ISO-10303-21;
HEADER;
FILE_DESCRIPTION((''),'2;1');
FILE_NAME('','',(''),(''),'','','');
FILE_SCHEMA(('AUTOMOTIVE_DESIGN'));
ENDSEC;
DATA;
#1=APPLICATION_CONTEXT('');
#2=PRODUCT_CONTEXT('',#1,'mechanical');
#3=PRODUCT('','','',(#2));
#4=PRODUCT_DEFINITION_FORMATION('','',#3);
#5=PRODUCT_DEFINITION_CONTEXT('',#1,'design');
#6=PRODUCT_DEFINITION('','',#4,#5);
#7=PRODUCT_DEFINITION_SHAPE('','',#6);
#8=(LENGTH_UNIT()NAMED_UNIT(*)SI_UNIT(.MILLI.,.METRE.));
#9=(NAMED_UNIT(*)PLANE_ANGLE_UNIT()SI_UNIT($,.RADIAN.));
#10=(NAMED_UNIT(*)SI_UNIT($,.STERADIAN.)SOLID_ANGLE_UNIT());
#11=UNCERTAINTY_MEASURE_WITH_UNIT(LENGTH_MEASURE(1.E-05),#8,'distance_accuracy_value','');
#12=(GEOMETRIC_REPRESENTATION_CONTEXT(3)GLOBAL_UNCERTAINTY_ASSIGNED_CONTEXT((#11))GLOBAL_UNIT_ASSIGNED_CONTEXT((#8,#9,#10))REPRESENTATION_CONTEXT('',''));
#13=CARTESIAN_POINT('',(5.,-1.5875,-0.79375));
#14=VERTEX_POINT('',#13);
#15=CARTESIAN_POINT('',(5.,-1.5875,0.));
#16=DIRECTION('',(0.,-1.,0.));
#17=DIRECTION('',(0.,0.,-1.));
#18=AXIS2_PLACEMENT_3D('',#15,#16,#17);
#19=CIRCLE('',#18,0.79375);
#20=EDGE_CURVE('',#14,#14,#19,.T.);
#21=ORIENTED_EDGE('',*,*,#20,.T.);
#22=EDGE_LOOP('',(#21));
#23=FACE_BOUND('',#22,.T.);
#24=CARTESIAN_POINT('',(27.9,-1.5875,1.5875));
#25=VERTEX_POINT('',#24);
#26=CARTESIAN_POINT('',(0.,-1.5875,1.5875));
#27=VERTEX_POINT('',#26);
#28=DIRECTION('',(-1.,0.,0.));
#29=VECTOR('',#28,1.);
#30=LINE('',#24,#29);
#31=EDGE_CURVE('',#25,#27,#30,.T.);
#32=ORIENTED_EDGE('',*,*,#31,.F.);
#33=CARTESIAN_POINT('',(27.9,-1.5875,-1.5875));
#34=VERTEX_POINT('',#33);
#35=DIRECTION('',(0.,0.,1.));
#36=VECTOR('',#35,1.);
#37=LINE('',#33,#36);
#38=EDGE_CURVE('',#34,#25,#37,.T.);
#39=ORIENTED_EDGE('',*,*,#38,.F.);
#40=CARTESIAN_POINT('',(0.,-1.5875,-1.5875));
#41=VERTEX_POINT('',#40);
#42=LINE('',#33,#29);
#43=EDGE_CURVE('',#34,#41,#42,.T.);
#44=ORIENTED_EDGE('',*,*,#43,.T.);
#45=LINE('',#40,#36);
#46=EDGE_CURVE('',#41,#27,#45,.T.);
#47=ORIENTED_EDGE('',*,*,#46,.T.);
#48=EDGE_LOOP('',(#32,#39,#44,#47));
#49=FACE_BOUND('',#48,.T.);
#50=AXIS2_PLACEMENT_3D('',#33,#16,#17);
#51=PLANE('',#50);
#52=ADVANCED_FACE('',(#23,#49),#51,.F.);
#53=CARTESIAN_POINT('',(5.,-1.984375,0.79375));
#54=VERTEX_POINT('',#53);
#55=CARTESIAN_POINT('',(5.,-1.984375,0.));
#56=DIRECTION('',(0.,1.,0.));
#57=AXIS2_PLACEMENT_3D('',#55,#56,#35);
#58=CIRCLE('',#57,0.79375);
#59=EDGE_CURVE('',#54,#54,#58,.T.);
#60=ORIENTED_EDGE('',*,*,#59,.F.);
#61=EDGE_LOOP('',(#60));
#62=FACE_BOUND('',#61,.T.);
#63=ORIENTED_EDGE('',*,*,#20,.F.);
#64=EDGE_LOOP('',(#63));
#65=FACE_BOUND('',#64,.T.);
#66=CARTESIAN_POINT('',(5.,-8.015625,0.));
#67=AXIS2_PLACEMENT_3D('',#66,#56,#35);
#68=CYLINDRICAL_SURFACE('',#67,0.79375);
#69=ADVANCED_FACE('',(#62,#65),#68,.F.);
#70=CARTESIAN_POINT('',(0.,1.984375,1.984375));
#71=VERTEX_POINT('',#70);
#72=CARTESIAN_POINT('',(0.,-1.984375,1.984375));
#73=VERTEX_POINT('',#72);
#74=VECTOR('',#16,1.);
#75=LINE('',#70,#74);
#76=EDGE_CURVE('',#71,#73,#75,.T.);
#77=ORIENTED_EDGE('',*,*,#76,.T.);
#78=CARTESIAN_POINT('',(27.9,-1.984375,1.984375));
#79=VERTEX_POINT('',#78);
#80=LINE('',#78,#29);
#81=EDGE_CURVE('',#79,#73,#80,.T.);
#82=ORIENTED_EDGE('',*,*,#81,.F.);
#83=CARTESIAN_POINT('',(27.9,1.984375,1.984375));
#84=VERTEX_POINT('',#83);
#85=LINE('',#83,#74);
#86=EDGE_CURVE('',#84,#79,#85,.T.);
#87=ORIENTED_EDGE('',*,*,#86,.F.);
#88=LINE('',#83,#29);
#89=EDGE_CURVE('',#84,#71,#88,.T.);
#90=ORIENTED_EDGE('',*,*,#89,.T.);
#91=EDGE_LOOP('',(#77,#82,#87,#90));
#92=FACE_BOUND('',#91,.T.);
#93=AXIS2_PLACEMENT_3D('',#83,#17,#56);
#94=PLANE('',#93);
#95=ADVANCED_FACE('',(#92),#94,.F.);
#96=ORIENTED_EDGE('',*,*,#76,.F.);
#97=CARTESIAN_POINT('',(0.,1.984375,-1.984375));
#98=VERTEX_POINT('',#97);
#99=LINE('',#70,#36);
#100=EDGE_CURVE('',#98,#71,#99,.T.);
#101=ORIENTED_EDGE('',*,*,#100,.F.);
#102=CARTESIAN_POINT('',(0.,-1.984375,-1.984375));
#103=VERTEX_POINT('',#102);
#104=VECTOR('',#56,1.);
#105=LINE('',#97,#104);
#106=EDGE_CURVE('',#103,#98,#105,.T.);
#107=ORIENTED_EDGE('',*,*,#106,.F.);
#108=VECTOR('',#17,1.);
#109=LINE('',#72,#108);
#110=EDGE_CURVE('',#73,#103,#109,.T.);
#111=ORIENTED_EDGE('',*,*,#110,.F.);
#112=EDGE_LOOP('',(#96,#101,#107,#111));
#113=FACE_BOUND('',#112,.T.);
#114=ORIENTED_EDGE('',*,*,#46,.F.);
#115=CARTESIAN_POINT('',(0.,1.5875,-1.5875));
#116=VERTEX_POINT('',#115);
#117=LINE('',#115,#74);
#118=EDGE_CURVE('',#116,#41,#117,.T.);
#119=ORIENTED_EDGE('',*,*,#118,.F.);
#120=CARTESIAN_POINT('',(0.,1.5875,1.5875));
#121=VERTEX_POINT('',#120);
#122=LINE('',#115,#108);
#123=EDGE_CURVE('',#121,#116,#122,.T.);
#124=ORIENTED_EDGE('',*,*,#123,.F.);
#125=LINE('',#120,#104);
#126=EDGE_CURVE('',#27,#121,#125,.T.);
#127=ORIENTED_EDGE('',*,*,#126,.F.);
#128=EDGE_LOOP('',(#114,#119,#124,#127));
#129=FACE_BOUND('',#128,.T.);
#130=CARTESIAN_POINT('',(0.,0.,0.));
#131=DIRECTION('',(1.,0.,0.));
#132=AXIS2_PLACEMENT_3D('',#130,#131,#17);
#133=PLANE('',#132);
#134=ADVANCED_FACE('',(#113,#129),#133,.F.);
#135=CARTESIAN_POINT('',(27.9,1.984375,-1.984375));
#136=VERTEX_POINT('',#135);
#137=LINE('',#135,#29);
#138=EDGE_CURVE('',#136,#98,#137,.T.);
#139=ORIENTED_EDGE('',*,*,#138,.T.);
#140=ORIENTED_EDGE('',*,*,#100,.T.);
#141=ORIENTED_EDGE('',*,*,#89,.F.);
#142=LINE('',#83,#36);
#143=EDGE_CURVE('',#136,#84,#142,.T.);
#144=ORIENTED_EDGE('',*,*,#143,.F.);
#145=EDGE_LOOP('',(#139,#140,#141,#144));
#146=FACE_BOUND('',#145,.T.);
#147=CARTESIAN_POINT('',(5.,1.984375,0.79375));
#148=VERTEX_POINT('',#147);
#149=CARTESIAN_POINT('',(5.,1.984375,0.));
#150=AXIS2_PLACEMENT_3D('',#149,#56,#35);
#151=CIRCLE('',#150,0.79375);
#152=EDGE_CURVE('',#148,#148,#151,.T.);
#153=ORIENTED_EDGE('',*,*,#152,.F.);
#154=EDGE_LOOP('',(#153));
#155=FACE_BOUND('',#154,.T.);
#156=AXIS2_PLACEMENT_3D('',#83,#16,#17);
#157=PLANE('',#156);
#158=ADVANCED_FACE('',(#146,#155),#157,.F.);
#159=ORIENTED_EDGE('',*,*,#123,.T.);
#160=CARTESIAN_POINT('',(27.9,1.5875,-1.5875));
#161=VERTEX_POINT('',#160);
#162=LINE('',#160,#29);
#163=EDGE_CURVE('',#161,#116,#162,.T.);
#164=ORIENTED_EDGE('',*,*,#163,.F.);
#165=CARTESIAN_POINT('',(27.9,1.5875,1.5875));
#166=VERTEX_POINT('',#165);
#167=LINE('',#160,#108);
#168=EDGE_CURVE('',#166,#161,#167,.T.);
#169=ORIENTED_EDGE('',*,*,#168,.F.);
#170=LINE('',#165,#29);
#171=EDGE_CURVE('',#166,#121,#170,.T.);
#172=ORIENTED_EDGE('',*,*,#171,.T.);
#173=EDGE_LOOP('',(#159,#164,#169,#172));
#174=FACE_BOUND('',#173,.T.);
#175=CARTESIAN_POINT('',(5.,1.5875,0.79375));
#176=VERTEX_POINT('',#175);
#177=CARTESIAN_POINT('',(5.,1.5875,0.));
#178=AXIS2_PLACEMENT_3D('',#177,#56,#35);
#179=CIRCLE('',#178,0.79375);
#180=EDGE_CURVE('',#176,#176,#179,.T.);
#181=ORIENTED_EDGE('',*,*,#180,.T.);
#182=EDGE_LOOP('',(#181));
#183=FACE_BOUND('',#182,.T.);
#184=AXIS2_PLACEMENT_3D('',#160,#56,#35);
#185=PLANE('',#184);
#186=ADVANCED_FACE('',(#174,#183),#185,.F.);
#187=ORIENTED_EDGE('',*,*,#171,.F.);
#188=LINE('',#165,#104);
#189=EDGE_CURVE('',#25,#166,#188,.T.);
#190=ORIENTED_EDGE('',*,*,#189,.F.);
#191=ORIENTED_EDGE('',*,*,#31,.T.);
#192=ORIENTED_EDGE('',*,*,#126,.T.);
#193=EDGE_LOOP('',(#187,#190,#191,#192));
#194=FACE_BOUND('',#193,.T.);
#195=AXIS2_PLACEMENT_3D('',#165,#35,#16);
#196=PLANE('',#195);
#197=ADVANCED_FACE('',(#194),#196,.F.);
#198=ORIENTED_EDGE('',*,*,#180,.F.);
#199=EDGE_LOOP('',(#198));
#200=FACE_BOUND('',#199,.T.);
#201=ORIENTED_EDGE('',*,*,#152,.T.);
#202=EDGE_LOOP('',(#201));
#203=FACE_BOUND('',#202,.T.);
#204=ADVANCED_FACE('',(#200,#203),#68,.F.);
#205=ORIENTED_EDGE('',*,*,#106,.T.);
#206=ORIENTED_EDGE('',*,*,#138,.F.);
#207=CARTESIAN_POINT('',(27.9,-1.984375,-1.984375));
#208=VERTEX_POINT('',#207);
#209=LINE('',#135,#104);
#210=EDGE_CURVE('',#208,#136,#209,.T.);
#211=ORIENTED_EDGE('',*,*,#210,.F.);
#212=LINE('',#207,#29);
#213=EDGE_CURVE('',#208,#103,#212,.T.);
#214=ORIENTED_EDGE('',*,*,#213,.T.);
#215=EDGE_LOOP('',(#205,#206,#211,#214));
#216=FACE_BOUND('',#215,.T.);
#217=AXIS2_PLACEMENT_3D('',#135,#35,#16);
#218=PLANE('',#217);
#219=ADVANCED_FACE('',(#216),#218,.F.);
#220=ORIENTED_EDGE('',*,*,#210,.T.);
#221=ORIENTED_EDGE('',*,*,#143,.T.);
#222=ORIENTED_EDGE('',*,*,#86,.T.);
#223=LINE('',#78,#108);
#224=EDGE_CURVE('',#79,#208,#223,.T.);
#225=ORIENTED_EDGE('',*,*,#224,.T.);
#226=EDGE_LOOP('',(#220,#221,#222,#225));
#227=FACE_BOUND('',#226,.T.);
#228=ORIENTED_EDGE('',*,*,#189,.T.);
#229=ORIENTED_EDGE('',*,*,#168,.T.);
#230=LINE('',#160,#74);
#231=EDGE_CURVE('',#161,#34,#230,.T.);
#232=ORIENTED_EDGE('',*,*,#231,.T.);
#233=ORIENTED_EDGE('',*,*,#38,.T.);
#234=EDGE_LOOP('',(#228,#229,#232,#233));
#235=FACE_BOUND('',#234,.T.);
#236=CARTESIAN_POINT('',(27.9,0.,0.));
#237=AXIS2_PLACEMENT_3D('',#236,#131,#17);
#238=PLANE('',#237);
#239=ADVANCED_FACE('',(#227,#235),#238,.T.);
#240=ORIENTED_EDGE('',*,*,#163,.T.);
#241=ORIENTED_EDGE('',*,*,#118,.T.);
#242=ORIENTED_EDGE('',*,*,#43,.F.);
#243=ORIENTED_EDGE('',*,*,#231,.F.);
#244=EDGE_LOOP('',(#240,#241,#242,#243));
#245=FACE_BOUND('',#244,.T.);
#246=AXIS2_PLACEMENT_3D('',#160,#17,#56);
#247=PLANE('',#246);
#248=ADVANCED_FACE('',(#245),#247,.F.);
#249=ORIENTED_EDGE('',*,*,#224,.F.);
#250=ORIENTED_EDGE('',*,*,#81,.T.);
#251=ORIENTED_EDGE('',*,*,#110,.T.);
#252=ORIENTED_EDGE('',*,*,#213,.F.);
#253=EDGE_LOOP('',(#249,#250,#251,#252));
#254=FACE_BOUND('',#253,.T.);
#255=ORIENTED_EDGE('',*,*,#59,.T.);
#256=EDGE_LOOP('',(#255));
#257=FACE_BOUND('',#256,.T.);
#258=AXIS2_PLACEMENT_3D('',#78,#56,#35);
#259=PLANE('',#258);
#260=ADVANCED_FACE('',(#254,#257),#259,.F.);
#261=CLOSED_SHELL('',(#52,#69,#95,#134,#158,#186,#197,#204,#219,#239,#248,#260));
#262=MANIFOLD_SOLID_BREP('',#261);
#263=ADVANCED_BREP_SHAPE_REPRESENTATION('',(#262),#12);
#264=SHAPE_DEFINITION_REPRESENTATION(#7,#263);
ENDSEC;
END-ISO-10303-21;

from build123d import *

# Parameters (mm, degrees)
SKETCH2_W           = 3.96875
SKETCH2_H           = 3.96875
BOSS_EXTRUDE1_DEPTH = 27.9
SKETCH3_W           = 3.175
SKETCH3_H           = 3.175
CUT_EXTRUDE1_DEPTH  = 29.04078259
SKETCH4_R           = 0.79375
CUT_EXTRUDE2_DEPTH  = 10


with BuildPart() as part:
    # Sketch2 → Boss-Extrude1 (new body)
    with BuildSketch(Plane(origin=(0, 0, 0), x_dir=(0, 0, -1), z_dir=(1, 0, 0))):
        Rectangle(SKETCH2_W, SKETCH2_H)
    extrude(amount=BOSS_EXTRUDE1_DEPTH)

    # Sketch3 → Cut-Extrude1 (cut, through all)
    with BuildSketch(Plane.ZY):
        Rectangle(SKETCH3_W, SKETCH3_H)
    extrude(amount=-CUT_EXTRUDE1_DEPTH, mode=Mode.SUBTRACT)

    # Sketch4 → Cut-Extrude2 (cut)
    with BuildSketch(Plane(origin=(0, 1.984375, 0), x_dir=(1, 0, 0), z_dir=(0, 1, 0))):
        with Locations(Location((5, 0, 0), (0, 0, 270))):
            Circle(SKETCH4_R)
    extrude(amount=-CUT_EXTRUDE2_DEPTH, mode=Mode.SUBTRACT)


solid = part.part
